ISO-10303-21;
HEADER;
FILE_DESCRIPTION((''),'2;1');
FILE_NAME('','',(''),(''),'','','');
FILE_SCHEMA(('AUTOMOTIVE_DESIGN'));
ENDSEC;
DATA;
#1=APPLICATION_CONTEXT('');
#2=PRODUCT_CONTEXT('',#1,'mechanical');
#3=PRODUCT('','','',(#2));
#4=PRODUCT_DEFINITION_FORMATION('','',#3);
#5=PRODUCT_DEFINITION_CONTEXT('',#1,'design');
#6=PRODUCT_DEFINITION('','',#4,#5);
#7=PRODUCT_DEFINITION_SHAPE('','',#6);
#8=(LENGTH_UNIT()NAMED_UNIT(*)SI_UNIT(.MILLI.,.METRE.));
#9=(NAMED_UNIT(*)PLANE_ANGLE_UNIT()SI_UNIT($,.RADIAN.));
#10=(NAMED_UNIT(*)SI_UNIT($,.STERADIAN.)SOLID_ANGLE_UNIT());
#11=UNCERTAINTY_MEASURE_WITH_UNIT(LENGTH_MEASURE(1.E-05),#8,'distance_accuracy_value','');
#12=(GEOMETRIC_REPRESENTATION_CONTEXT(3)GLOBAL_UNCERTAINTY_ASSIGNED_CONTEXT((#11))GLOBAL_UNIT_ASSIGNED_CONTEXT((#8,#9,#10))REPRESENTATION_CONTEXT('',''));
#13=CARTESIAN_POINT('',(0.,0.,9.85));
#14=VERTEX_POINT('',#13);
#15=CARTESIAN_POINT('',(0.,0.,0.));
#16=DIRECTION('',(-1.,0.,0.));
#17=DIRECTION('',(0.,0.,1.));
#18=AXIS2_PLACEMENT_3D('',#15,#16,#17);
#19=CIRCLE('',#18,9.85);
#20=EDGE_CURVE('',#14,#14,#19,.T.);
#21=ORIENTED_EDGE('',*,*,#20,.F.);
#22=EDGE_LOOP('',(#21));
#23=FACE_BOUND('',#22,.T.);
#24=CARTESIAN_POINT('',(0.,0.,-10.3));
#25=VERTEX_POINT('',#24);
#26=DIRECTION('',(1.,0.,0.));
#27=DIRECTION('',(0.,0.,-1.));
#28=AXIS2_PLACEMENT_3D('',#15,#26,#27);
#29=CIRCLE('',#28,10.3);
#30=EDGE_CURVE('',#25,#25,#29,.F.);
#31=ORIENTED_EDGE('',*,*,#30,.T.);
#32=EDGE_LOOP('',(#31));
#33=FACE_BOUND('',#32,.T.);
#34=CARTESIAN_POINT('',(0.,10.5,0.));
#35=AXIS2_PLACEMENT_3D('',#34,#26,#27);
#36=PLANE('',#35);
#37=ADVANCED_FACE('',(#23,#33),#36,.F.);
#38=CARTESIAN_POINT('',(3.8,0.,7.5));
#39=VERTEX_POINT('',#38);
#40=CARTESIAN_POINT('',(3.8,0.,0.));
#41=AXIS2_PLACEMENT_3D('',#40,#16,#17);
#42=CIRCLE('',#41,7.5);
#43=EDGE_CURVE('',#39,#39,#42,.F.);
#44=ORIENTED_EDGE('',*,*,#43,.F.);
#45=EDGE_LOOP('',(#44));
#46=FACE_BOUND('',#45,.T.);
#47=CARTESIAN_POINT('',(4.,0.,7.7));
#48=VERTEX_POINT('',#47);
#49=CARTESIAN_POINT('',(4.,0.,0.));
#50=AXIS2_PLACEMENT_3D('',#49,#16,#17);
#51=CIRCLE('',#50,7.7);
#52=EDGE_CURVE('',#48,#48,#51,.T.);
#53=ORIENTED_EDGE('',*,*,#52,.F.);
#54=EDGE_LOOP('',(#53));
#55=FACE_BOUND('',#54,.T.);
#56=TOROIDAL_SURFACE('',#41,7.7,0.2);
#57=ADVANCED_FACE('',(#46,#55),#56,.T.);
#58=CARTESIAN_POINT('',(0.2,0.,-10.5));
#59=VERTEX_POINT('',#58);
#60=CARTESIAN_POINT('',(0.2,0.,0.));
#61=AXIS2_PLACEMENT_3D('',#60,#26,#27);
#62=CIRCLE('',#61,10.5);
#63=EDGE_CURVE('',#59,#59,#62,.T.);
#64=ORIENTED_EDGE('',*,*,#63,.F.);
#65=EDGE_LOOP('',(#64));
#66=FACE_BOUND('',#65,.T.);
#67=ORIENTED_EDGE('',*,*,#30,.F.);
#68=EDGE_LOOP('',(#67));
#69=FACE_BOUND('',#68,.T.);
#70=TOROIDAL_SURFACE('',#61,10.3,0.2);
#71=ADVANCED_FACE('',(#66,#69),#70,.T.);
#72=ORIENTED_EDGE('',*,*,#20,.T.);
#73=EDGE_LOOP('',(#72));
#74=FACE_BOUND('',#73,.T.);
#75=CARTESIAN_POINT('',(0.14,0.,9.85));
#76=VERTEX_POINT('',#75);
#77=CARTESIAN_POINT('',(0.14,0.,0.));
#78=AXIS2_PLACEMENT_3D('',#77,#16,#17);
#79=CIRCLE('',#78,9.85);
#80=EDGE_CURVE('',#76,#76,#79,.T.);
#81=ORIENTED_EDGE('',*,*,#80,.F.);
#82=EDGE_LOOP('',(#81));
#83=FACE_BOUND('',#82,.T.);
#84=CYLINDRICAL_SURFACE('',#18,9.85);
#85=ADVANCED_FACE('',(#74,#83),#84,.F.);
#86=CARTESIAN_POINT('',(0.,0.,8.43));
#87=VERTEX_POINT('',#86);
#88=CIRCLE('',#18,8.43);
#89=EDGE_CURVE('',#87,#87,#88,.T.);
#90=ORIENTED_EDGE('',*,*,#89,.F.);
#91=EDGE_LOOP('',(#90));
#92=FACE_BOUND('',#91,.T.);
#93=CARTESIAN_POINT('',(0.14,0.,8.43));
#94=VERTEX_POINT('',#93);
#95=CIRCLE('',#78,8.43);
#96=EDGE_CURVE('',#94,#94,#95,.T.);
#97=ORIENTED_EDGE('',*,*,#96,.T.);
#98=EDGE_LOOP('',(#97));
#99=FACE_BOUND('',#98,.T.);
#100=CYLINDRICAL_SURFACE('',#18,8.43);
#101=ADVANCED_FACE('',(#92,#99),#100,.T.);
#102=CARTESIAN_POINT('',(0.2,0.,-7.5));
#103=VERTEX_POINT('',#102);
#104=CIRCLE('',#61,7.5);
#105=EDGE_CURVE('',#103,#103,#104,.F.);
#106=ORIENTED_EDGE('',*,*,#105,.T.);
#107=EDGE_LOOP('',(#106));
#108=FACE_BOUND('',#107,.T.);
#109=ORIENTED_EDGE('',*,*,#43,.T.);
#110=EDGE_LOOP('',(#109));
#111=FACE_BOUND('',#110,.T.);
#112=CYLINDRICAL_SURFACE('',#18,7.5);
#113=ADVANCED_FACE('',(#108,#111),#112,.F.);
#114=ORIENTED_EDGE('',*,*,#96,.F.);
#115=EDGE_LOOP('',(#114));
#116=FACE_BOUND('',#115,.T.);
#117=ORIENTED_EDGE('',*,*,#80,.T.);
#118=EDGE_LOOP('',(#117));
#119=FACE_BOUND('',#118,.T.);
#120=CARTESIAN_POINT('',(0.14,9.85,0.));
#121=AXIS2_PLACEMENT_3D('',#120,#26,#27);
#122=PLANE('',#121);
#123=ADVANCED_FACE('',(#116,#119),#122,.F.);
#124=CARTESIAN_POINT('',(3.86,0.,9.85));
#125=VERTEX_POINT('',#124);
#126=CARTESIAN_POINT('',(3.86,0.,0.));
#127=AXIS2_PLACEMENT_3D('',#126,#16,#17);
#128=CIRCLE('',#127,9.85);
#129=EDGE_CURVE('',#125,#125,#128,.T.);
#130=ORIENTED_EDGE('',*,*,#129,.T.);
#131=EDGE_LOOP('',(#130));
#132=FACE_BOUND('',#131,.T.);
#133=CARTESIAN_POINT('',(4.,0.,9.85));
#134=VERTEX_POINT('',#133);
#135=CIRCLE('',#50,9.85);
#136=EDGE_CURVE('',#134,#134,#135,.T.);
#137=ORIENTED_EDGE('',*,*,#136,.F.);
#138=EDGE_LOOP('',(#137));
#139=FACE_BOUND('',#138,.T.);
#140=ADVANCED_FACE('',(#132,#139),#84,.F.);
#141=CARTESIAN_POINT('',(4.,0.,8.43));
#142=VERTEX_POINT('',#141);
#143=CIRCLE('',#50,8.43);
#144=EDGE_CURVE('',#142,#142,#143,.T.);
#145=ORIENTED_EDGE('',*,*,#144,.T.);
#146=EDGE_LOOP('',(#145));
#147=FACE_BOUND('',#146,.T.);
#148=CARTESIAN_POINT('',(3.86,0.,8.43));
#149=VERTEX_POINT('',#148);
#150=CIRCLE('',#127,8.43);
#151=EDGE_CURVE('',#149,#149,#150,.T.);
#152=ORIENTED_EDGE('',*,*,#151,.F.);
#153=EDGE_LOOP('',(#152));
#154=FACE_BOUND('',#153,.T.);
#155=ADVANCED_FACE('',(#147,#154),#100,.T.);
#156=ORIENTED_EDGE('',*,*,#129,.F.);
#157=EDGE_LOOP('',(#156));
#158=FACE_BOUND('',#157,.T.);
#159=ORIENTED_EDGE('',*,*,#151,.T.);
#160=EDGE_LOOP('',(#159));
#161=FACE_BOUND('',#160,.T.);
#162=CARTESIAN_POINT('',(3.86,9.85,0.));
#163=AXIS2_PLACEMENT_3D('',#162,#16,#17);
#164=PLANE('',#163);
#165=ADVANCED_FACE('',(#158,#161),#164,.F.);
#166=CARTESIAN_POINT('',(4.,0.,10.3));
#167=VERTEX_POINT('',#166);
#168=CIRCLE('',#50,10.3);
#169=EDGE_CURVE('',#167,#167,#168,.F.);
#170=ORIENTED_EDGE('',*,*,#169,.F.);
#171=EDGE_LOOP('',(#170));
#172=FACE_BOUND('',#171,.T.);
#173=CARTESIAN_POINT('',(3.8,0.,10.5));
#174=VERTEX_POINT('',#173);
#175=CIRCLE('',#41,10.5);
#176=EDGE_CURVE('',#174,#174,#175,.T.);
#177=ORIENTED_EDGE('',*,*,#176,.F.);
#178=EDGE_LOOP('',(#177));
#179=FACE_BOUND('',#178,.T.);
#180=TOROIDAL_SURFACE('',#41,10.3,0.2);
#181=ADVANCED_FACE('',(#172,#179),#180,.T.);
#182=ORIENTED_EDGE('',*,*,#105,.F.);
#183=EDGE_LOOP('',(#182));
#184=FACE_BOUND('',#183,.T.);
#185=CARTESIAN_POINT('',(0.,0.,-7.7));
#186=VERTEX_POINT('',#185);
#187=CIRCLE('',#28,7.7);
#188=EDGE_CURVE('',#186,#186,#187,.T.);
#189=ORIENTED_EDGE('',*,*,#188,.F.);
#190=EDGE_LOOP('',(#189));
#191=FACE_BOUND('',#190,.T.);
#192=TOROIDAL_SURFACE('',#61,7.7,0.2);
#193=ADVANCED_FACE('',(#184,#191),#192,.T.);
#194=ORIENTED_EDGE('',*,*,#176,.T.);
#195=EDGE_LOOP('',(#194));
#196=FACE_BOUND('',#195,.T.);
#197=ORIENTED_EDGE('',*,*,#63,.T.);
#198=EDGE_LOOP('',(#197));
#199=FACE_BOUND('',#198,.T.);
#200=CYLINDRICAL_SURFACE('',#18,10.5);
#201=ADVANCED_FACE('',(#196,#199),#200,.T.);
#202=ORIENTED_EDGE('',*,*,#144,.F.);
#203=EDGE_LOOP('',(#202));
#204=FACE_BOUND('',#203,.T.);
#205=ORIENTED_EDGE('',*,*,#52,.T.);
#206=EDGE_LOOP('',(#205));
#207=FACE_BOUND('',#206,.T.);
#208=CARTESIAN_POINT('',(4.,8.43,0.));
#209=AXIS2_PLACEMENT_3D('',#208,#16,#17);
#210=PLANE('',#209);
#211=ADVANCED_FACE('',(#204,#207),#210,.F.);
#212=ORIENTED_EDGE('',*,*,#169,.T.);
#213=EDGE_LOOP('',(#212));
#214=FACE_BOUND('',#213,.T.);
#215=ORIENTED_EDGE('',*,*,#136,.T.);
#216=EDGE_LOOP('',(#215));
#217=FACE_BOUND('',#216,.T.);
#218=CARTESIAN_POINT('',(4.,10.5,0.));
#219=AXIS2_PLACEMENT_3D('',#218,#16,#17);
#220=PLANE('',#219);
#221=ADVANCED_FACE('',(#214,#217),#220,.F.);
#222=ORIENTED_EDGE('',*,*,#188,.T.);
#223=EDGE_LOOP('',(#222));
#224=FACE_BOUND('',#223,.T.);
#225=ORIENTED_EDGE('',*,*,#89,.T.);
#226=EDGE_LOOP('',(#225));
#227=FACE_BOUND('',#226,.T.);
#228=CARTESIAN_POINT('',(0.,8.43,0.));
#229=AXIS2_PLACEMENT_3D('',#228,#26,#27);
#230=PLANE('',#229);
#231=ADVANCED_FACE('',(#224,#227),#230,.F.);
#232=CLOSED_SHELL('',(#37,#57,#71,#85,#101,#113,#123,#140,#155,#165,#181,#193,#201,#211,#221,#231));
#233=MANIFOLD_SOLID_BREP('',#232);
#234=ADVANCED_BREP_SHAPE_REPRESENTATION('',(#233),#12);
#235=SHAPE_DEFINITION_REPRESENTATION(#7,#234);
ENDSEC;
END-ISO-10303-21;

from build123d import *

# Parameters (mm, degrees)
FILLET1_R = 0.2
FILLET2_R = 0.2


with BuildPart() as part:
    # Sketch1 → Revolve1 (revolve)
    with BuildSketch(Plane.XY, mode=Mode.PRIVATE) as revolve1_sk:
        Polygon((0, 7.5), (4, 7.5), (4, 8.43), (3.86, 8.43), (3.86, 9.85), (4, 9.85), (4, 10.5), (0, 10.5), (0, 9.85), (0.14, 9.85), (0.14, 8.43), (0, 8.43), align=None)
    revolve(revolve1_sk.sketch.rotate(Axis((0, 0, 0), (1, 0, 0)), 90), axis=Axis((0, 0, 0), (1, 0, 0)))

    # Fillet1
    fillet1_edges = [part.edges().sort_by_distance(p)[0] for p in [
        (0, 0, -10.5),
        (4, 0, -10.5),
    ]]
    fillet(fillet1_edges, radius=FILLET1_R)

    # Fillet2
    fillet2_edges = [part.edges().sort_by_distance(p)[0] for p in [
        (4, 0, -7.5),
        (0, 0, -7.5),
    ]]
    fillet(fillet2_edges, radius=FILLET2_R)


solid = part.part
